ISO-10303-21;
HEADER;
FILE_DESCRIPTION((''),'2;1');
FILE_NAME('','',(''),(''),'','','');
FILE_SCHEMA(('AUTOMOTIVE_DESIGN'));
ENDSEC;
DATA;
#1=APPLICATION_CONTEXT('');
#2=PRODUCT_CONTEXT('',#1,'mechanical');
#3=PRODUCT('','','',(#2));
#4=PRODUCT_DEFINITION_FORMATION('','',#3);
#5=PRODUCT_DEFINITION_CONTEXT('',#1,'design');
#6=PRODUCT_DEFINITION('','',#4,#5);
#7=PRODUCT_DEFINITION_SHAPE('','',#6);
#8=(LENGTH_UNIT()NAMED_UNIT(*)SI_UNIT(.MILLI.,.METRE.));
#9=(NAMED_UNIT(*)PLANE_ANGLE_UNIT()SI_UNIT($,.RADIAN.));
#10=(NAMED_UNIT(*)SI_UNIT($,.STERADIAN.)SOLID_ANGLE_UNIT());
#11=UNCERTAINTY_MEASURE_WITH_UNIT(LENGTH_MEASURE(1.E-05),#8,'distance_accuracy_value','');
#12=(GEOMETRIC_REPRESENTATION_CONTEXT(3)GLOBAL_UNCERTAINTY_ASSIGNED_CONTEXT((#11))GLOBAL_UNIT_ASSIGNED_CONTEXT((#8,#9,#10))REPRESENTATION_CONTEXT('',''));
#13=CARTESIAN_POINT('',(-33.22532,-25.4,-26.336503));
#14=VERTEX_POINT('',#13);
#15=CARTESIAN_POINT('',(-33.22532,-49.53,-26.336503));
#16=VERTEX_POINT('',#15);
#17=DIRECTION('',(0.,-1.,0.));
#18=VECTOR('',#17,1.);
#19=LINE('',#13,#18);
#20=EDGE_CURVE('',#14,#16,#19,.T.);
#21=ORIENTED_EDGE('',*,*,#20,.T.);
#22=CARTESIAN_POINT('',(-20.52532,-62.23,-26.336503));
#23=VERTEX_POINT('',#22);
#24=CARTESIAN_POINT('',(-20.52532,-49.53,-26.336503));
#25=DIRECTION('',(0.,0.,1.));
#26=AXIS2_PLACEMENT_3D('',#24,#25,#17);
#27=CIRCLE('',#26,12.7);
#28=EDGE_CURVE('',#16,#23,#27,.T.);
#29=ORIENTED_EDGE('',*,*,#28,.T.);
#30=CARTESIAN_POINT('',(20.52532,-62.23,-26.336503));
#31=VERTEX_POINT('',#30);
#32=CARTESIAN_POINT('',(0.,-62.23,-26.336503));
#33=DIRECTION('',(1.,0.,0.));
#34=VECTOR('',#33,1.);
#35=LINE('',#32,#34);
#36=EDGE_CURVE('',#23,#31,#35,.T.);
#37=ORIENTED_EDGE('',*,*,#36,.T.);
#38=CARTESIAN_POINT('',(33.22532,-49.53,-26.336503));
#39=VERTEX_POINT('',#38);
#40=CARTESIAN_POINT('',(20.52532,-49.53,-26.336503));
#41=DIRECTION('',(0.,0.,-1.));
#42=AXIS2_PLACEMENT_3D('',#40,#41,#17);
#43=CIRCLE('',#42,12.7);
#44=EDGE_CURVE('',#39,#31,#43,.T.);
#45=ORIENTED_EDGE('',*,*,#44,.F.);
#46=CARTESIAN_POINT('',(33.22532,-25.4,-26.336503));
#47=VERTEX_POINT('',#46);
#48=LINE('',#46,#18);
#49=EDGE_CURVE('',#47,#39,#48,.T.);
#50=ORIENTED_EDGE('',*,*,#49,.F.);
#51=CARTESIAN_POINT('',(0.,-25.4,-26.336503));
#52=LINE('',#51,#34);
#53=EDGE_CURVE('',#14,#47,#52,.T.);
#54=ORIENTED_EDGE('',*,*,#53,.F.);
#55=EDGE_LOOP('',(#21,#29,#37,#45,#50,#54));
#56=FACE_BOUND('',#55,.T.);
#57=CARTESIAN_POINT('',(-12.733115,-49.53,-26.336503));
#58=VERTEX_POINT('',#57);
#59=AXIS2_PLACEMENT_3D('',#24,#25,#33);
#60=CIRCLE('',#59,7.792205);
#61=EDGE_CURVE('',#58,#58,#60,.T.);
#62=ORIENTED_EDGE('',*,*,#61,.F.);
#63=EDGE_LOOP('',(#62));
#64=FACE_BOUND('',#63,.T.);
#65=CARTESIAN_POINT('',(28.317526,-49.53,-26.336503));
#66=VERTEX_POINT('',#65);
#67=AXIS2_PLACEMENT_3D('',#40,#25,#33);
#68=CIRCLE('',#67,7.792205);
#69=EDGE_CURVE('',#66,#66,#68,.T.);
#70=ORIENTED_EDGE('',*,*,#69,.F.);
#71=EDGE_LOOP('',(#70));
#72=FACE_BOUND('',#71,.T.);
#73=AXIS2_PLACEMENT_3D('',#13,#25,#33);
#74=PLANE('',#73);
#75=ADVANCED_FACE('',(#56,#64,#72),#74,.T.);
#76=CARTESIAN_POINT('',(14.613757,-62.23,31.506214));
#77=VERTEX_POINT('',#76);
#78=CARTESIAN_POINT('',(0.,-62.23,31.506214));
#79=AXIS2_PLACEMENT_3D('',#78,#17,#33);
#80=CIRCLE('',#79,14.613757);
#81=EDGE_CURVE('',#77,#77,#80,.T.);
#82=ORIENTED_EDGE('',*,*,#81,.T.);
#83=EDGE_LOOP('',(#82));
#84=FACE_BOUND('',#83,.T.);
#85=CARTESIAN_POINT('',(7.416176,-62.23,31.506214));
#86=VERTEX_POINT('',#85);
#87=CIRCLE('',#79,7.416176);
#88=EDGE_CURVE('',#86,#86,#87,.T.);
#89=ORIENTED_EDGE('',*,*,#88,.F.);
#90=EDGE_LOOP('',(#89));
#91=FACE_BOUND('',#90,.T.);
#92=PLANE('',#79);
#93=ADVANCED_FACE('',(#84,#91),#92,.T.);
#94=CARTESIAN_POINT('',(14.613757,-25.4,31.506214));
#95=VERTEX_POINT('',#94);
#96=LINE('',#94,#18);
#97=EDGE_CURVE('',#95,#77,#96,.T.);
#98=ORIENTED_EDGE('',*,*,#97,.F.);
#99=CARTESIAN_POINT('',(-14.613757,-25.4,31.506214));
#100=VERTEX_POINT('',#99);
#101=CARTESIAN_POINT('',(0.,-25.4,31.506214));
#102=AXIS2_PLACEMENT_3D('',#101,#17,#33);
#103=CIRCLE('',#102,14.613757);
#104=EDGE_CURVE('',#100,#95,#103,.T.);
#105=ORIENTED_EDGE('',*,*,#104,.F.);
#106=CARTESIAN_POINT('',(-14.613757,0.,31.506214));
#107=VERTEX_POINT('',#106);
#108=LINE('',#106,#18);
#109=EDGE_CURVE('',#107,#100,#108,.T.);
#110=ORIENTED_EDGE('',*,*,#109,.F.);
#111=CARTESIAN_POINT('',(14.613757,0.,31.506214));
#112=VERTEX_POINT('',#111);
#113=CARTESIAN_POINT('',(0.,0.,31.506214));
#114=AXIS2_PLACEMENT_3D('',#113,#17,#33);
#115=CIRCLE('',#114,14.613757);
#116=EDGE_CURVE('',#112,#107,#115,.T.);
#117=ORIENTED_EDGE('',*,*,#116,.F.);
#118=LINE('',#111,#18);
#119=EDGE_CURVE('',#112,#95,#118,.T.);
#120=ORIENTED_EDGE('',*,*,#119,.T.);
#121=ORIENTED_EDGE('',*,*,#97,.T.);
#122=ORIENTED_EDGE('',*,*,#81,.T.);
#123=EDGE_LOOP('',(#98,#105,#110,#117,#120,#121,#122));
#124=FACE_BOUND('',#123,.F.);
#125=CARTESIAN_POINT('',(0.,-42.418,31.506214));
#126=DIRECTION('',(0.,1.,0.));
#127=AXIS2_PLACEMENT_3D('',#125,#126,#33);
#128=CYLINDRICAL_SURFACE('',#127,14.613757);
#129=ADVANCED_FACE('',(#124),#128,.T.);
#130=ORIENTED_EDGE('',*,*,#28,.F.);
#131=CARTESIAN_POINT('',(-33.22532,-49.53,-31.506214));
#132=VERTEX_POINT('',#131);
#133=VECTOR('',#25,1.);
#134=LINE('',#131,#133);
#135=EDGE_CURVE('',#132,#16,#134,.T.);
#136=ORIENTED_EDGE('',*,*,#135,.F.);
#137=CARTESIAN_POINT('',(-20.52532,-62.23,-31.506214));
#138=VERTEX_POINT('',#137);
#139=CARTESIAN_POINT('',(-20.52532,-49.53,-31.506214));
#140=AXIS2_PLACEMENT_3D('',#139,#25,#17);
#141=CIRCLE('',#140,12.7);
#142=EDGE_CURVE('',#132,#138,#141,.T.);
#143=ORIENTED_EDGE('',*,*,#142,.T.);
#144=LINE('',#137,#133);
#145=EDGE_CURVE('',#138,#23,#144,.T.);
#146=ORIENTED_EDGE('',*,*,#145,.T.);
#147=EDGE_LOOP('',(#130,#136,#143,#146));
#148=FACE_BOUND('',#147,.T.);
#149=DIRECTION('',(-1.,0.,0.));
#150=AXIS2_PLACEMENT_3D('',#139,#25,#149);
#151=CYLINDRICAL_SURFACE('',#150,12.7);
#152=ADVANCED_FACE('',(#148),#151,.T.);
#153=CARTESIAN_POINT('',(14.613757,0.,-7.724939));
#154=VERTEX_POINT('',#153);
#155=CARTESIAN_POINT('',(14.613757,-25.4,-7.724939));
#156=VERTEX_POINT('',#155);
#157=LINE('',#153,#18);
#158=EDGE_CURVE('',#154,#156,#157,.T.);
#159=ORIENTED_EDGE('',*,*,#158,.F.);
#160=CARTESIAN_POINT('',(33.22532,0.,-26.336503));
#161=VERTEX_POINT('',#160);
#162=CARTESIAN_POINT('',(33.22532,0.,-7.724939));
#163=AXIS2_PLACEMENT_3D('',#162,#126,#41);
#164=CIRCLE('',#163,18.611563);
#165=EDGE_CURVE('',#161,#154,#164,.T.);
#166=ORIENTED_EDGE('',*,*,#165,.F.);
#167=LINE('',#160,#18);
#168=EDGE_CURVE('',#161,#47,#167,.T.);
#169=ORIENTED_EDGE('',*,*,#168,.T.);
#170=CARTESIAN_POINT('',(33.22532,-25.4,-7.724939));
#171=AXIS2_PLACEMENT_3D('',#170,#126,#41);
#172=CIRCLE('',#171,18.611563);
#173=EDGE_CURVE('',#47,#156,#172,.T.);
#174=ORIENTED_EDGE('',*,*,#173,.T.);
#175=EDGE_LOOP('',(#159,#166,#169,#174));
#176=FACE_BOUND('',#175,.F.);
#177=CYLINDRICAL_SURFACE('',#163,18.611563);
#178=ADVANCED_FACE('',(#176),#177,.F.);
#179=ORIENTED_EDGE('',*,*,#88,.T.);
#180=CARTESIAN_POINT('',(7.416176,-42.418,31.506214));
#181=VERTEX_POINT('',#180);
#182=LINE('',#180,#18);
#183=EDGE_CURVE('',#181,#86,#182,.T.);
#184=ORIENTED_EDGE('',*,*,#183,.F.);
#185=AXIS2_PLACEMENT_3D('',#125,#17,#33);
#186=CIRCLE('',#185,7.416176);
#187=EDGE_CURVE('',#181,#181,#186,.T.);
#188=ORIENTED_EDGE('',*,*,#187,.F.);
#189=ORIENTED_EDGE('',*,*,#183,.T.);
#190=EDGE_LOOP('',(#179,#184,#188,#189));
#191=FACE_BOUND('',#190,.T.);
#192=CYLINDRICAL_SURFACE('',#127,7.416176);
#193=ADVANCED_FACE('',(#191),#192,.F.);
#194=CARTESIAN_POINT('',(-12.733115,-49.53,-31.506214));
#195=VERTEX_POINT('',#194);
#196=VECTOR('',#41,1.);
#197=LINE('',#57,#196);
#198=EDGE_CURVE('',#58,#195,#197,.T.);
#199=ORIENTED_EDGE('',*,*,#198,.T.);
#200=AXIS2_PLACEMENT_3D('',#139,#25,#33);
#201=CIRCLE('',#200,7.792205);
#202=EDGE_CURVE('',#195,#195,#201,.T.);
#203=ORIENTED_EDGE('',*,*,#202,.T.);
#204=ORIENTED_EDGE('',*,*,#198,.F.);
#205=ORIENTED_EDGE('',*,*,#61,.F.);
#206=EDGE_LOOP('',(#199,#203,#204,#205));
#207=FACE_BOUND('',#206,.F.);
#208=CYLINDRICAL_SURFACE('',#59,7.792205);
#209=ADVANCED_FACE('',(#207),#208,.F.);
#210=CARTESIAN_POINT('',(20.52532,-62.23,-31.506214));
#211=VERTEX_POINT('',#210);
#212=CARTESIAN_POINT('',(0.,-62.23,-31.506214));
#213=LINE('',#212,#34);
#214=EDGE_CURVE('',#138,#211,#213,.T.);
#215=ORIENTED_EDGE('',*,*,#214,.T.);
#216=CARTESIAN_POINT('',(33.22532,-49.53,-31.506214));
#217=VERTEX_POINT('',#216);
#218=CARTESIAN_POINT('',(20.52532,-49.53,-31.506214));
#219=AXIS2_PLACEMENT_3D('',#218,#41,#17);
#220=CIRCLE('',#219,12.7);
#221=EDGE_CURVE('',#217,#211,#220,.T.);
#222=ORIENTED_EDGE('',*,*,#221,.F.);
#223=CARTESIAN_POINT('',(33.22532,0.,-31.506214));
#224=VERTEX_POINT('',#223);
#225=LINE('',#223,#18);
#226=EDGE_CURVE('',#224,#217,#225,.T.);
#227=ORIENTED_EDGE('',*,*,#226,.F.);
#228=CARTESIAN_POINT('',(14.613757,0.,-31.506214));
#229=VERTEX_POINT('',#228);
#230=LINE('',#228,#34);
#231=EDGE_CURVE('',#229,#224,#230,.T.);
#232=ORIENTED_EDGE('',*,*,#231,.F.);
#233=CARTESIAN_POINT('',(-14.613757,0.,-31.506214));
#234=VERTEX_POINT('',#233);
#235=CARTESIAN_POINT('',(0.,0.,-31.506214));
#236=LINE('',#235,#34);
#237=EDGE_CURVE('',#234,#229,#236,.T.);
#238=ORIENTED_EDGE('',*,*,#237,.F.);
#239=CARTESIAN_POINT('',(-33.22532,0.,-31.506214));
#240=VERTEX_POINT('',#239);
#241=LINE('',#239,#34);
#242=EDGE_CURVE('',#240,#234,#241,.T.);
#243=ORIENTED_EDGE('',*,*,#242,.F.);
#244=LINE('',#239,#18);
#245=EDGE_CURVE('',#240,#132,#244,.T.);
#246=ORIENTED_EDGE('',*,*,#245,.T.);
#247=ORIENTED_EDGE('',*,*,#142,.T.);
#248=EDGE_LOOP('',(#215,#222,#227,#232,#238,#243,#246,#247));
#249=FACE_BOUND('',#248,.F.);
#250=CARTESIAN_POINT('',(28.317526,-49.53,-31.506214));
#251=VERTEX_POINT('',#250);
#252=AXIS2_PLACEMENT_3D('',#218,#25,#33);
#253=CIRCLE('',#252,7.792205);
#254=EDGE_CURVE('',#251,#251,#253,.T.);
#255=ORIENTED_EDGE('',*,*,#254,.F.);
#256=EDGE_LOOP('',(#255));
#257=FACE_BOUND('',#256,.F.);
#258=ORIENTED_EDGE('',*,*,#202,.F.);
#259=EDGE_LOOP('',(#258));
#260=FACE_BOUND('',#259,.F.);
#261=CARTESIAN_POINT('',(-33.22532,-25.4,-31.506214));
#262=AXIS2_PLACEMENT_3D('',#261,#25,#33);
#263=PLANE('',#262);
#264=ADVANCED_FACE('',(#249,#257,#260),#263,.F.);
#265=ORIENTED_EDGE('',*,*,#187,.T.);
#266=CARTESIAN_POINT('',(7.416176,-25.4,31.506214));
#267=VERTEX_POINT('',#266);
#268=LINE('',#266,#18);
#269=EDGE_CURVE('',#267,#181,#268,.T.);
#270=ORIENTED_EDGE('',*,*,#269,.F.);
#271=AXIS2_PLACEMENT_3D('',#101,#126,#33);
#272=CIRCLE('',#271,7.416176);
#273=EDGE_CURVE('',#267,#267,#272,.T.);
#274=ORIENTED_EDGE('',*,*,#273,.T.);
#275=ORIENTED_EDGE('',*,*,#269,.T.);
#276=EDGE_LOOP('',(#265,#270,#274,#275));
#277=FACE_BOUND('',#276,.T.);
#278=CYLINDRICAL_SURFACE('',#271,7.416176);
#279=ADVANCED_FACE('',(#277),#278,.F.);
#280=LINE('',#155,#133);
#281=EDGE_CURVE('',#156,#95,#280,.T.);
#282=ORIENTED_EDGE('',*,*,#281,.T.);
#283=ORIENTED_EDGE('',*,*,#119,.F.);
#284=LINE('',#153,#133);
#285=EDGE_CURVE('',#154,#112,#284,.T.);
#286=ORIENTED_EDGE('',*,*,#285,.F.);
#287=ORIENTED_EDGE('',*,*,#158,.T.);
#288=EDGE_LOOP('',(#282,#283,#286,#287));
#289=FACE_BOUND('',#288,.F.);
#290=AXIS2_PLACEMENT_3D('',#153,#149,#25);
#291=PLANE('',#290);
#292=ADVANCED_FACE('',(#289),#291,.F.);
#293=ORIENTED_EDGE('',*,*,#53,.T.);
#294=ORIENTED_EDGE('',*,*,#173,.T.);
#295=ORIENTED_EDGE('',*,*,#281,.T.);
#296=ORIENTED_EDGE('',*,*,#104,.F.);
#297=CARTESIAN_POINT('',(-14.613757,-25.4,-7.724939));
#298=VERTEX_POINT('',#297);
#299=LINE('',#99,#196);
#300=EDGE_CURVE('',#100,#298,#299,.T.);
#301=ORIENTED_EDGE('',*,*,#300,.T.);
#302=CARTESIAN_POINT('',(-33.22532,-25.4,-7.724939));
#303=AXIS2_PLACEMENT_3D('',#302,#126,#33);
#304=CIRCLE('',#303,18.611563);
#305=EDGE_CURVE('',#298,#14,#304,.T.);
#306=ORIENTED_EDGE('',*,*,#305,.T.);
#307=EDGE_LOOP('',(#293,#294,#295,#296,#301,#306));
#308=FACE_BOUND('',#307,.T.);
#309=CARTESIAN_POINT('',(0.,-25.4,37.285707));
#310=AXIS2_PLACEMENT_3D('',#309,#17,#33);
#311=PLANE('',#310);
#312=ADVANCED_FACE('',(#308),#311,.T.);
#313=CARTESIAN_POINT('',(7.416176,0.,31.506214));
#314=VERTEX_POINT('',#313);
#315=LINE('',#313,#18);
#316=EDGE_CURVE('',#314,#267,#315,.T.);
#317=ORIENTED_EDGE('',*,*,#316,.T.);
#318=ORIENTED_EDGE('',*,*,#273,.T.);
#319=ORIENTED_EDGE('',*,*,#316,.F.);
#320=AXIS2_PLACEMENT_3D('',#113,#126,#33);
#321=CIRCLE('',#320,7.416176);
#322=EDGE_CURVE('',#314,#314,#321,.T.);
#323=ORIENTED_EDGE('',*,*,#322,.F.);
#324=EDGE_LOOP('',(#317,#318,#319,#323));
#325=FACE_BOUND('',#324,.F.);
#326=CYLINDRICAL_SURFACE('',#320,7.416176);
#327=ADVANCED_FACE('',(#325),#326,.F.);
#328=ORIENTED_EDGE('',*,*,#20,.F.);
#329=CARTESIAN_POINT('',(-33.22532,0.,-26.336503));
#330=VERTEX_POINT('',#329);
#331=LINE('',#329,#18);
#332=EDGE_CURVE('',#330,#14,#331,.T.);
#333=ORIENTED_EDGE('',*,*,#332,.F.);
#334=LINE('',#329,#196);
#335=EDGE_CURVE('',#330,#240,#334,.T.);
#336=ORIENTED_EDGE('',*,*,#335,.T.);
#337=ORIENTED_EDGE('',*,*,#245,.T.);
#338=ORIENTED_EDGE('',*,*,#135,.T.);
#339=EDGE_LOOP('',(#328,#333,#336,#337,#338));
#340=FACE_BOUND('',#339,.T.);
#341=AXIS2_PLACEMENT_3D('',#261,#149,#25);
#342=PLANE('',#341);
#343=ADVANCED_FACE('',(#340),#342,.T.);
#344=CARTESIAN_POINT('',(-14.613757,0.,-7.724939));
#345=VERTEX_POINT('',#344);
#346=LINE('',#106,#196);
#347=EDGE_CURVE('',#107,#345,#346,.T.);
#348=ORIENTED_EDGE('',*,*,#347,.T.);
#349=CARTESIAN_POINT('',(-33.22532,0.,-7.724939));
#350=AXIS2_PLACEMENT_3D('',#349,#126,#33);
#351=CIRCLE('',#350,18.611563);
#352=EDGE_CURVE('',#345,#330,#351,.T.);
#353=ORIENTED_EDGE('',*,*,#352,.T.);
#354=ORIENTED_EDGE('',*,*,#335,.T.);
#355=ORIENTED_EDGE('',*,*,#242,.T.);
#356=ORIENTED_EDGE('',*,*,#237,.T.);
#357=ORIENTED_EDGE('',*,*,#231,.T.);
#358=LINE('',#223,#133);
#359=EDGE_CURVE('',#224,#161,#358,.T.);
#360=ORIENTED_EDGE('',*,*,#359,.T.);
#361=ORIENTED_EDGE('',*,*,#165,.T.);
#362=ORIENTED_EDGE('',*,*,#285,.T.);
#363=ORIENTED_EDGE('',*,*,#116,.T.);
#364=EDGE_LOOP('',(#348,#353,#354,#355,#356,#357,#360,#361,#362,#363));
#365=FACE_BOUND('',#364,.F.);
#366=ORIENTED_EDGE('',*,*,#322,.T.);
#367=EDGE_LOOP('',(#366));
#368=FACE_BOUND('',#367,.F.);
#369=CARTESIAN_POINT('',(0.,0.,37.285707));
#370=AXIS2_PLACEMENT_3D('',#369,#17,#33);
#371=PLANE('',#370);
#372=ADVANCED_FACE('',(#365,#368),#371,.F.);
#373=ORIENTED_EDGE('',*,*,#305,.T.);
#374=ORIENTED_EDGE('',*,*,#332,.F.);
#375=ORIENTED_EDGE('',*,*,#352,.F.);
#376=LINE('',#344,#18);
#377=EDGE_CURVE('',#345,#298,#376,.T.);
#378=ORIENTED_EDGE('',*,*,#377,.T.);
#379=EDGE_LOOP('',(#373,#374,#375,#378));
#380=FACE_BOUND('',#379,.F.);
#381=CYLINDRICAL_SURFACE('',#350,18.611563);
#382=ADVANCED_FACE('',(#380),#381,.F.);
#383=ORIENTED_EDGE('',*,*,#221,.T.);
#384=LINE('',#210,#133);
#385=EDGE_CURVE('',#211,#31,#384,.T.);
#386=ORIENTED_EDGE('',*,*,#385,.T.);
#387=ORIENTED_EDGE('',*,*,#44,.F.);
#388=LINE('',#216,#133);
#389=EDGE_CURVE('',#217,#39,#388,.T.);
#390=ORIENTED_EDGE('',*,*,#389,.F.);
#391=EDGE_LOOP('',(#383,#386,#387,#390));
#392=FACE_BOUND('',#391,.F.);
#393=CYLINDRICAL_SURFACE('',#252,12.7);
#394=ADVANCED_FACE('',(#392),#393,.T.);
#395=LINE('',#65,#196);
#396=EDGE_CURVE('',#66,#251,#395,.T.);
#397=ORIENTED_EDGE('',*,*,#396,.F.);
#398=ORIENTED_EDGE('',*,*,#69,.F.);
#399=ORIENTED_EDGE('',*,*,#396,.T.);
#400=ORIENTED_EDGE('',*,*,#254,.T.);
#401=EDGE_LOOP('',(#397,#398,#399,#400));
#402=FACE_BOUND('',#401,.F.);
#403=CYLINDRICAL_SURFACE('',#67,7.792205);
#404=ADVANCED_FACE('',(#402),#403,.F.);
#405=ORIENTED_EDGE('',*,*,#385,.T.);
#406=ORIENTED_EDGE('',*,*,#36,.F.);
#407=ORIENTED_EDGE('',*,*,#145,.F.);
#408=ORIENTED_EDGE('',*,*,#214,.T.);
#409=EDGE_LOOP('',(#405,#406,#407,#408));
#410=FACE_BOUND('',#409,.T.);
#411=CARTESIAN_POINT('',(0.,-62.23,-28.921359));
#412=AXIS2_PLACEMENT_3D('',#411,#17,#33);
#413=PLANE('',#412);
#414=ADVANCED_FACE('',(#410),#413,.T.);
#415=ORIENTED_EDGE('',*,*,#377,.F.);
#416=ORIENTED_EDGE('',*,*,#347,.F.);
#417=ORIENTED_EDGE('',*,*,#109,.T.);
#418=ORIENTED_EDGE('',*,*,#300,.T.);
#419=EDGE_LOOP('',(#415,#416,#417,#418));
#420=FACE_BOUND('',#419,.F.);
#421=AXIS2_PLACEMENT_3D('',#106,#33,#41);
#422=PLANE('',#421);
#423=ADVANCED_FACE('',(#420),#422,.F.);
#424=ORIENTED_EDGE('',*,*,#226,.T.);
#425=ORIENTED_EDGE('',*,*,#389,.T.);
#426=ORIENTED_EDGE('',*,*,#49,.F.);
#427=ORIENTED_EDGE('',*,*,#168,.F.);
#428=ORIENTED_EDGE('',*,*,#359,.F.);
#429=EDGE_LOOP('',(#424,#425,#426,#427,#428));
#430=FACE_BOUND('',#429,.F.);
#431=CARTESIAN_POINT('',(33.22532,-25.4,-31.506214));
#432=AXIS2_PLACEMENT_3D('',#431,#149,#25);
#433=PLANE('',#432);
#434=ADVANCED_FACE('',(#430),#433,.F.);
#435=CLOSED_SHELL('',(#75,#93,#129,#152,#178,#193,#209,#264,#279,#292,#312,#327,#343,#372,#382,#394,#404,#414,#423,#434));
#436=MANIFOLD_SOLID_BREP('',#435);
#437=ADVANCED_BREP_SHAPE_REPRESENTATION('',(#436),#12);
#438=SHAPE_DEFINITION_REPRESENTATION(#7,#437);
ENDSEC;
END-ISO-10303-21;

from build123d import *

# Parameters (mm, degrees)
F0_W     = 29.2275138199
F0_H     = 23.781274911
F1_DEPTH = 25.4
F2_R     = 14.61375691
F2_R_2   = 7.4161763195
F3_DEPTH = 17.018
F4_W     = 66.4506405592
F4_H     = 5.1697115414
F5_DEPTH = 36.83
F6_R     = 12.7
F7_R     = 7.792205292
F8_DEPTH = 5.1707115414
F9_DEPTH = 19.812


with BuildPart() as f1:
    # F0 (on Front) → F1 (new body)
    with BuildSketch(Plane.XZ):
        with BuildLine():
            Line((7.4161763195, 31.5062142909), (14.61375691, 31.5062142909))
            ThreePointArc((14.61375691, 31.5062142909), (0, 46.1199712008), (-14.61375691, 31.5062142909))
            Line((-14.61375691, 31.5062142909), (-7.4161763195, 31.5062142909))
            ThreePointArc((-7.4161763195, 31.5062142909), (0, 38.9223906104), (7.4161763195, 31.5062142909))
        make_face()
        with BuildLine():
            Line((14.61375691, -7.7249393798), (14.61375691, -31.5062142909))
            Line((14.61375691, -31.5062142909), (33.2253202796, -31.5062142909))
            Line((33.2253202796, -31.5062142909), (33.2253202796, -26.3365027495))
            ThreePointArc((33.2253202796, -26.3365027495), (20.0649576124, -20.885302047), (14.61375691, -7.7249393798))
        make_face()
        with BuildLine():
            Line((-14.61375691, -7.7249393798), (14.61375691, -7.7249393798))
            Line((14.61375691, -7.7249393798), (14.61375691, 31.5062142909))
            ThreePointArc((14.61375691, 31.5062142909), (0, 16.8924573809), (-14.61375691, 31.5062142909))
            Line((-14.61375691, 31.5062142909), (-14.61375691, -7.7249393798))
        make_face()
        with BuildLine():
            Line((-33.2253202796, -31.5062142909), (-14.61375691, -31.5062142909))
            Line((-14.61375691, -31.5062142909), (-14.61375691, -7.7249393798))
            ThreePointArc((-14.61375691, -7.7249393798), (-20.0649576124, -20.885302047), (-33.2253202796, -26.3365027495))
            Line((-33.2253202796, -26.3365027495), (-33.2253202796, -31.5062142909))
        make_face()
        with BuildLine():
            ThreePointArc((-14.61375691, 31.5062142909), (0, 16.8924573809), (14.61375691, 31.5062142909))
            Line((14.61375691, 31.5062142909), (7.4161763195, 31.5062142909))
            ThreePointArc((7.4161763195, 31.5062142909), (0, 24.0900379714), (-7.4161763195, 31.5062142909))
            Line((-7.4161763195, 31.5062142909), (-14.61375691, 31.5062142909))
        make_face()
        with Locations((0, -19.6155768353)):
            Rectangle(F0_W, F0_H)
    extrude(amount=F1_DEPTH)

    # F2 (on face) → F3 (join)
    with BuildSketch(Plane.XZ.offset(25.4)):
        with Locations((0, 31.5062142909)):
            Circle(F2_R)
        with Locations((0, 31.5062142909)):
            Circle(F2_R_2, mode=Mode.SUBTRACT)
    extrude(amount=F3_DEPTH)

    # F4 (on face) → F5 (join)
    with BuildSketch(Plane.XZ.offset(25.4)):
        with Locations((0, -28.9213585202)):
            Rectangle(F4_W, F4_H)
    extrude(amount=F5_DEPTH)

    # F6
    f6_edges = [f1.edges().sort_by_distance(p)[0] for p in [
        (-33.22532, -62.23, -28.921359),
        (33.22532, -62.23, -28.921359),
    ]]
    fillet(f6_edges, radius=F6_R)

    # F7 (on face) → F8 (cut, through all)
    with BuildSketch(Plane.XY.offset(-26.3365027495)):
        with Locations((-20.5253202796, -49.53)):
            Circle(F7_R)
        with Locations((20.5253202796, -49.53)):
            Circle(F7_R)
    extrude(amount=-F8_DEPTH, mode=Mode.SUBTRACT)

    # F9 (add, through all): a face of the model
    f9_faces = [f1.faces().sort_by_distance(p)[0] for p in [
        (-14.2004174456, -42.418, 31.5062142909),
    ]]
    extrude(f9_faces, amount=F9_DEPTH)


solid = f1.part
